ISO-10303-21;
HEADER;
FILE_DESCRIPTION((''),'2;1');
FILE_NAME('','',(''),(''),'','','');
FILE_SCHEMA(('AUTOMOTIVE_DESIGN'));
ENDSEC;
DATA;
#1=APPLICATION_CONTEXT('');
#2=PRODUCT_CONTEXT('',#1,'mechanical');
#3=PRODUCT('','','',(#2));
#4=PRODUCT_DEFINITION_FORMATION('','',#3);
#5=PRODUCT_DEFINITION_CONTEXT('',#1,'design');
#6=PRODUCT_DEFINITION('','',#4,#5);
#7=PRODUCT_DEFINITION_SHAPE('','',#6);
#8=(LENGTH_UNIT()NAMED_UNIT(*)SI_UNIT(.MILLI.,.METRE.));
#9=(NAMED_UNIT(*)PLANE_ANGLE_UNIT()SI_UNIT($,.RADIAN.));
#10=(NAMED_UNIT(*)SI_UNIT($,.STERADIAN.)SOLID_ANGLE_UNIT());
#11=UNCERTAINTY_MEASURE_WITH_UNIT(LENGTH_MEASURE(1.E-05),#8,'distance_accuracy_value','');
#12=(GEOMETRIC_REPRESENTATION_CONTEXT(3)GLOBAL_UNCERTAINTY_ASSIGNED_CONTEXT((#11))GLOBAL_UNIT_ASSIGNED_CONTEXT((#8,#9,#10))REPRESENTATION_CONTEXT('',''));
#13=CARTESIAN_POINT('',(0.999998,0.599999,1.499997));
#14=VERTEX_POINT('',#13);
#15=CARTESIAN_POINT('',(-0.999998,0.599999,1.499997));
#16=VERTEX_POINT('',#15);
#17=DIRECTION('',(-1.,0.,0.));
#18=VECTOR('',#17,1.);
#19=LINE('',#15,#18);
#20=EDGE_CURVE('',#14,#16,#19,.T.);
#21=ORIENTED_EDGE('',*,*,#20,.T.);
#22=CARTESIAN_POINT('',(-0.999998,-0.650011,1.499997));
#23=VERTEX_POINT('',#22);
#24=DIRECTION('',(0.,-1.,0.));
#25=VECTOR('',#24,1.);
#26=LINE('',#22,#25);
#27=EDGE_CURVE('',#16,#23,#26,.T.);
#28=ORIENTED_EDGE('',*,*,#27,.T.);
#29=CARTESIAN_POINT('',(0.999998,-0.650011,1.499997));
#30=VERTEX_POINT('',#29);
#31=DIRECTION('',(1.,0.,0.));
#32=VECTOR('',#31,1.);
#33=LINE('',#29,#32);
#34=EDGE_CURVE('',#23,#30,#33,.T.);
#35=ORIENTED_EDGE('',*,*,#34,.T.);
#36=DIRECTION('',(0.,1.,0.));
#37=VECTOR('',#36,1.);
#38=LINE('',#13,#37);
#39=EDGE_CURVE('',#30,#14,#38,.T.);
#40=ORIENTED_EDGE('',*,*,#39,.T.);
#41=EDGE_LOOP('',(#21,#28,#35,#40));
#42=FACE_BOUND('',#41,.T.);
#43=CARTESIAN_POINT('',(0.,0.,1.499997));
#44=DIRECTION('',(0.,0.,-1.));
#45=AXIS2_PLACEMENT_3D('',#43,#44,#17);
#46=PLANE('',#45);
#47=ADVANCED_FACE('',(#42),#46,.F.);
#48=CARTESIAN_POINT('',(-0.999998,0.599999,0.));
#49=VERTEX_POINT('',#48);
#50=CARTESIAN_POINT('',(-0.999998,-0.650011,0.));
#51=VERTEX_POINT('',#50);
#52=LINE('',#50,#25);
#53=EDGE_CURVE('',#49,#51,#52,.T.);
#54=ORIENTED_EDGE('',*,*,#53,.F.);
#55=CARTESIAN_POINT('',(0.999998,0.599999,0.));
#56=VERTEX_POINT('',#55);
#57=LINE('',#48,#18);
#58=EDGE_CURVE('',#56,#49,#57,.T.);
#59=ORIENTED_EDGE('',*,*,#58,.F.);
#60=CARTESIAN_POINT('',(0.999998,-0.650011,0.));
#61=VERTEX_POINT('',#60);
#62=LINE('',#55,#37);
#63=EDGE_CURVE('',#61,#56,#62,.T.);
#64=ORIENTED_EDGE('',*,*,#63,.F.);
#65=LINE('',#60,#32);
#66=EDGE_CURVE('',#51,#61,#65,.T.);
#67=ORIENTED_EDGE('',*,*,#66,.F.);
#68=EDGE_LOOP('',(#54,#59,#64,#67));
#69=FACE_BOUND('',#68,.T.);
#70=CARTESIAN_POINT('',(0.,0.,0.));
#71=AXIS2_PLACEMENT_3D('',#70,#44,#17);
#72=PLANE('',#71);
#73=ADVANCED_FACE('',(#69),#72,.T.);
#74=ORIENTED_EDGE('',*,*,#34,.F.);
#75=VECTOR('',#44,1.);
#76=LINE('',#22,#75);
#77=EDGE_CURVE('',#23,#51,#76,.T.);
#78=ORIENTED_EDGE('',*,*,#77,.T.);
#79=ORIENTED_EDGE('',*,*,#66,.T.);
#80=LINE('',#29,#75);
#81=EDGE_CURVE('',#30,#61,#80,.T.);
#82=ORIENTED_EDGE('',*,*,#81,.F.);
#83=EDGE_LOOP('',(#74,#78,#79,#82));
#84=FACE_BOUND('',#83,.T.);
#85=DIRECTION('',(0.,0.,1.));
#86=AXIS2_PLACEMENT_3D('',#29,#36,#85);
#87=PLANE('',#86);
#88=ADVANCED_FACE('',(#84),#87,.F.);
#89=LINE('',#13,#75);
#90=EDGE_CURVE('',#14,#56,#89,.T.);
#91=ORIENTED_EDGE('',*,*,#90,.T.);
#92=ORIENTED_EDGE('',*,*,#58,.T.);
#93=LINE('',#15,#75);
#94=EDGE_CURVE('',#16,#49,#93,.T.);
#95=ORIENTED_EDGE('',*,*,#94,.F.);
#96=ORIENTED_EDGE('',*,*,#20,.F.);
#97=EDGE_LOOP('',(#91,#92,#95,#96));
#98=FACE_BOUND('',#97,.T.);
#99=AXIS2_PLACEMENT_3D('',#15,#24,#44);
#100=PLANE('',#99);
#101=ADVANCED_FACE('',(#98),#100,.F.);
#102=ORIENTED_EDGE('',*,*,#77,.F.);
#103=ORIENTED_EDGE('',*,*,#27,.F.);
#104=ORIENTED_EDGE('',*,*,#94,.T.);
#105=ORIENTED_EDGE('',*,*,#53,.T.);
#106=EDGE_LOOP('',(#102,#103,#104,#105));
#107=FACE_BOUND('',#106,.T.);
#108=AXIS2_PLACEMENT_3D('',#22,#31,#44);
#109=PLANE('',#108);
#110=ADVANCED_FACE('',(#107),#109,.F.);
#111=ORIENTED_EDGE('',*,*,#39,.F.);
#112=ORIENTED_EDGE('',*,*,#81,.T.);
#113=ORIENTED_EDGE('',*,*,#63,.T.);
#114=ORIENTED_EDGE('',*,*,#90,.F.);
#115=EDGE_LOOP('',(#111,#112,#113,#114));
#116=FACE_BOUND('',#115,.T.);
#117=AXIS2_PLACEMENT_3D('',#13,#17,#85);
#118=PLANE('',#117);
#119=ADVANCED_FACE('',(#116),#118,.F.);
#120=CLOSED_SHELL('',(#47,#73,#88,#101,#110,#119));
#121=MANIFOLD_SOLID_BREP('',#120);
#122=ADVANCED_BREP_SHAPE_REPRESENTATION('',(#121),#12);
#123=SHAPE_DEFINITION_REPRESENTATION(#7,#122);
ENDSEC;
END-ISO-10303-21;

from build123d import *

# Parameters (mm, degrees)
SKETCH1_W               = 1.999996
SKETCH1_H               = 1.2500102
COMPONENT_OUTLINE_DEPTH = 1.499997


with BuildPart() as part:
    # Sketch1 → Component_Outline (new body)
    with BuildSketch(Plane.XY):
        with Locations((0, -0.0250063)):
            Rectangle(SKETCH1_W, SKETCH1_H)
    extrude(amount=COMPONENT_OUTLINE_DEPTH)


solid = part.part
